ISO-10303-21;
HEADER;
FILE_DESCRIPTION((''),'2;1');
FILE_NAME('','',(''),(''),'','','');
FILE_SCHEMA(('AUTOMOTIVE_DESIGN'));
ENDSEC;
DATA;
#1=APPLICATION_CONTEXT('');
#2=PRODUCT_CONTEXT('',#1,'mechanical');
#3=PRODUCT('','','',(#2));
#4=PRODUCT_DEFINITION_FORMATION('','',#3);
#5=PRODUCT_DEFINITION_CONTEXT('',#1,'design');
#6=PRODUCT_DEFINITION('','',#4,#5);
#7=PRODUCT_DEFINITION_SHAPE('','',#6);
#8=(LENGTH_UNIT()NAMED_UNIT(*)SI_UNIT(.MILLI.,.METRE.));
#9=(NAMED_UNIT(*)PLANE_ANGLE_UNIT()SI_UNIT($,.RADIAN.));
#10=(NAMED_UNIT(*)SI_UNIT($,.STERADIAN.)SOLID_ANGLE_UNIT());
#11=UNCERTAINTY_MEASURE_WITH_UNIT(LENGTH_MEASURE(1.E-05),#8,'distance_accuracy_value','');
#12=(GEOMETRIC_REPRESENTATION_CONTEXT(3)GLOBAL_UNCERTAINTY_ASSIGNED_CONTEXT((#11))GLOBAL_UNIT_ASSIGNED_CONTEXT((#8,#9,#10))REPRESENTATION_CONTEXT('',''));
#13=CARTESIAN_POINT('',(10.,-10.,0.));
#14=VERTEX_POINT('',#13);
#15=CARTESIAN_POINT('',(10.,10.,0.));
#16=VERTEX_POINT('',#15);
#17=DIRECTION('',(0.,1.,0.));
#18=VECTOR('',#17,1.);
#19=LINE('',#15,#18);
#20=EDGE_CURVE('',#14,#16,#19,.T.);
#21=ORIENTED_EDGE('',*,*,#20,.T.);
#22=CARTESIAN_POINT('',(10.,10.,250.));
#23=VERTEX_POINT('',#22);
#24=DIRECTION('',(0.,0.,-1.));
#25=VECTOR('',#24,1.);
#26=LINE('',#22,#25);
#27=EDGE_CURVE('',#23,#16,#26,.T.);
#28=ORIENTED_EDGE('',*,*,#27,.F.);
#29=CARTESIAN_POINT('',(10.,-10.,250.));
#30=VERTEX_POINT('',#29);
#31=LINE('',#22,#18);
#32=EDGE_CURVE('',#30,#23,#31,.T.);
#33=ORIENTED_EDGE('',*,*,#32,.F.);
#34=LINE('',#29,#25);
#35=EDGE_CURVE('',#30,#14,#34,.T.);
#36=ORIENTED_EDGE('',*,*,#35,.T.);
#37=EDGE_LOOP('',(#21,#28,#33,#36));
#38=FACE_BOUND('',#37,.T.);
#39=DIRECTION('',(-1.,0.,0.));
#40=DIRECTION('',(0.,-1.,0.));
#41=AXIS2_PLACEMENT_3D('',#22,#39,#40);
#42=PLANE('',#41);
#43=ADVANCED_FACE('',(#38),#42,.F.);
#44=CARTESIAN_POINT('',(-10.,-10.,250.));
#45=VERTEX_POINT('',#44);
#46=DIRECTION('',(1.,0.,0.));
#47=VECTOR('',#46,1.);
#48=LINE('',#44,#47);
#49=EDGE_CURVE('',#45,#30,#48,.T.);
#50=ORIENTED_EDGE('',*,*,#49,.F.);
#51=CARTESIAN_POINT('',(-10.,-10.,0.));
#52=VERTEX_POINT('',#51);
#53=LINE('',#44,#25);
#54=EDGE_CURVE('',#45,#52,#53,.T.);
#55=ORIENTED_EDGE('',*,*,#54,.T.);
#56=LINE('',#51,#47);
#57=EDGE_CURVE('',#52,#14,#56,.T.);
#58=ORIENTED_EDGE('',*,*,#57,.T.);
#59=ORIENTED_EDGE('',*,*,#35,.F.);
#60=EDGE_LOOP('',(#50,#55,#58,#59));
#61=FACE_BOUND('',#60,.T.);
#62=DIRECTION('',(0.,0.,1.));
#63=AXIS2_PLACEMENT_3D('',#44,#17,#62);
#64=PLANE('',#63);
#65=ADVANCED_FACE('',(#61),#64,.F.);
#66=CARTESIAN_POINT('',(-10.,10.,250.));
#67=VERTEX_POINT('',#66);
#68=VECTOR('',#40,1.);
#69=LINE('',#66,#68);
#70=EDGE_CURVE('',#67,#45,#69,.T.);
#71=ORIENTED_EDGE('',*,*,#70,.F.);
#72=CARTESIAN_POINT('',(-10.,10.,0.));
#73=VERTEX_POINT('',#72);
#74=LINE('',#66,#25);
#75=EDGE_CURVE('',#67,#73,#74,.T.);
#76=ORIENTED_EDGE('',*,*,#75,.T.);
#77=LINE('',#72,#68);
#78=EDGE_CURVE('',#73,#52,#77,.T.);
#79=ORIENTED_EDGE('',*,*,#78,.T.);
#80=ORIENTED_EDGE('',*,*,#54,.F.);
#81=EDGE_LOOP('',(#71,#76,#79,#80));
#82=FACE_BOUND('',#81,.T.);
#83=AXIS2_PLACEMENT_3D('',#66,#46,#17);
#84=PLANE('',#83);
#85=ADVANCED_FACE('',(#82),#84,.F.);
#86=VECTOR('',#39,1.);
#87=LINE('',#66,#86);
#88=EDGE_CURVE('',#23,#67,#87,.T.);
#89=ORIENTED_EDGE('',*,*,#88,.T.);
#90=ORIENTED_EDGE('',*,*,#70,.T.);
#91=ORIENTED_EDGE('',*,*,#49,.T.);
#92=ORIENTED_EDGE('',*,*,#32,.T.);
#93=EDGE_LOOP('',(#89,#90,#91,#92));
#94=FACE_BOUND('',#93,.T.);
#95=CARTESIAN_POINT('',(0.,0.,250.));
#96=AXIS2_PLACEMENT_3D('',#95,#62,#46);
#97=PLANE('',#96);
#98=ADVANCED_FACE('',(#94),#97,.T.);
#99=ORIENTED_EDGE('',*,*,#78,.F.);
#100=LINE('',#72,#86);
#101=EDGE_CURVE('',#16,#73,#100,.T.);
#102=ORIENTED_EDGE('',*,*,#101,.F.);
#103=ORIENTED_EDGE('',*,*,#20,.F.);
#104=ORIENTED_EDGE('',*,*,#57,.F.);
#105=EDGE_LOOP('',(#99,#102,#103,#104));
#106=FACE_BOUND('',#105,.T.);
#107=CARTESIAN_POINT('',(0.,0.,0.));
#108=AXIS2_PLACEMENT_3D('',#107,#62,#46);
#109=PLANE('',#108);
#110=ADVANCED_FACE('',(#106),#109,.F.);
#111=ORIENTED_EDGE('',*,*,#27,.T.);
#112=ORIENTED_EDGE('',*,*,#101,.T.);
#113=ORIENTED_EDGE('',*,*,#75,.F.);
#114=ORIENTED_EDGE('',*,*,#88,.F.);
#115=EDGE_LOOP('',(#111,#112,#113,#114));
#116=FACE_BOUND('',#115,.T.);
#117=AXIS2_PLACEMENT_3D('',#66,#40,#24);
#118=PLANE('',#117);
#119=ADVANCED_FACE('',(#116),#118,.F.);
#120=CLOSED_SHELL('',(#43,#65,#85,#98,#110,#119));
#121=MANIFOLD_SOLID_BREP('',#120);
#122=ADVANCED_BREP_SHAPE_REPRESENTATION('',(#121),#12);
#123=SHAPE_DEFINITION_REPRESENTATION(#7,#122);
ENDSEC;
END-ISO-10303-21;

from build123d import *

# Parameters (mm, degrees)
SKETCH_1_W      = 20
SKETCH_1_H      = 20
EXTRUDE_1_DEPTH = 250


with BuildPart() as part:
    # 草图1 → 凸台-拉伸1 (new body)
    with BuildSketch(Plane.XY):
        Rectangle(SKETCH_1_W, SKETCH_1_H)
    extrude(amount=EXTRUDE_1_DEPTH)


solid = part.part
